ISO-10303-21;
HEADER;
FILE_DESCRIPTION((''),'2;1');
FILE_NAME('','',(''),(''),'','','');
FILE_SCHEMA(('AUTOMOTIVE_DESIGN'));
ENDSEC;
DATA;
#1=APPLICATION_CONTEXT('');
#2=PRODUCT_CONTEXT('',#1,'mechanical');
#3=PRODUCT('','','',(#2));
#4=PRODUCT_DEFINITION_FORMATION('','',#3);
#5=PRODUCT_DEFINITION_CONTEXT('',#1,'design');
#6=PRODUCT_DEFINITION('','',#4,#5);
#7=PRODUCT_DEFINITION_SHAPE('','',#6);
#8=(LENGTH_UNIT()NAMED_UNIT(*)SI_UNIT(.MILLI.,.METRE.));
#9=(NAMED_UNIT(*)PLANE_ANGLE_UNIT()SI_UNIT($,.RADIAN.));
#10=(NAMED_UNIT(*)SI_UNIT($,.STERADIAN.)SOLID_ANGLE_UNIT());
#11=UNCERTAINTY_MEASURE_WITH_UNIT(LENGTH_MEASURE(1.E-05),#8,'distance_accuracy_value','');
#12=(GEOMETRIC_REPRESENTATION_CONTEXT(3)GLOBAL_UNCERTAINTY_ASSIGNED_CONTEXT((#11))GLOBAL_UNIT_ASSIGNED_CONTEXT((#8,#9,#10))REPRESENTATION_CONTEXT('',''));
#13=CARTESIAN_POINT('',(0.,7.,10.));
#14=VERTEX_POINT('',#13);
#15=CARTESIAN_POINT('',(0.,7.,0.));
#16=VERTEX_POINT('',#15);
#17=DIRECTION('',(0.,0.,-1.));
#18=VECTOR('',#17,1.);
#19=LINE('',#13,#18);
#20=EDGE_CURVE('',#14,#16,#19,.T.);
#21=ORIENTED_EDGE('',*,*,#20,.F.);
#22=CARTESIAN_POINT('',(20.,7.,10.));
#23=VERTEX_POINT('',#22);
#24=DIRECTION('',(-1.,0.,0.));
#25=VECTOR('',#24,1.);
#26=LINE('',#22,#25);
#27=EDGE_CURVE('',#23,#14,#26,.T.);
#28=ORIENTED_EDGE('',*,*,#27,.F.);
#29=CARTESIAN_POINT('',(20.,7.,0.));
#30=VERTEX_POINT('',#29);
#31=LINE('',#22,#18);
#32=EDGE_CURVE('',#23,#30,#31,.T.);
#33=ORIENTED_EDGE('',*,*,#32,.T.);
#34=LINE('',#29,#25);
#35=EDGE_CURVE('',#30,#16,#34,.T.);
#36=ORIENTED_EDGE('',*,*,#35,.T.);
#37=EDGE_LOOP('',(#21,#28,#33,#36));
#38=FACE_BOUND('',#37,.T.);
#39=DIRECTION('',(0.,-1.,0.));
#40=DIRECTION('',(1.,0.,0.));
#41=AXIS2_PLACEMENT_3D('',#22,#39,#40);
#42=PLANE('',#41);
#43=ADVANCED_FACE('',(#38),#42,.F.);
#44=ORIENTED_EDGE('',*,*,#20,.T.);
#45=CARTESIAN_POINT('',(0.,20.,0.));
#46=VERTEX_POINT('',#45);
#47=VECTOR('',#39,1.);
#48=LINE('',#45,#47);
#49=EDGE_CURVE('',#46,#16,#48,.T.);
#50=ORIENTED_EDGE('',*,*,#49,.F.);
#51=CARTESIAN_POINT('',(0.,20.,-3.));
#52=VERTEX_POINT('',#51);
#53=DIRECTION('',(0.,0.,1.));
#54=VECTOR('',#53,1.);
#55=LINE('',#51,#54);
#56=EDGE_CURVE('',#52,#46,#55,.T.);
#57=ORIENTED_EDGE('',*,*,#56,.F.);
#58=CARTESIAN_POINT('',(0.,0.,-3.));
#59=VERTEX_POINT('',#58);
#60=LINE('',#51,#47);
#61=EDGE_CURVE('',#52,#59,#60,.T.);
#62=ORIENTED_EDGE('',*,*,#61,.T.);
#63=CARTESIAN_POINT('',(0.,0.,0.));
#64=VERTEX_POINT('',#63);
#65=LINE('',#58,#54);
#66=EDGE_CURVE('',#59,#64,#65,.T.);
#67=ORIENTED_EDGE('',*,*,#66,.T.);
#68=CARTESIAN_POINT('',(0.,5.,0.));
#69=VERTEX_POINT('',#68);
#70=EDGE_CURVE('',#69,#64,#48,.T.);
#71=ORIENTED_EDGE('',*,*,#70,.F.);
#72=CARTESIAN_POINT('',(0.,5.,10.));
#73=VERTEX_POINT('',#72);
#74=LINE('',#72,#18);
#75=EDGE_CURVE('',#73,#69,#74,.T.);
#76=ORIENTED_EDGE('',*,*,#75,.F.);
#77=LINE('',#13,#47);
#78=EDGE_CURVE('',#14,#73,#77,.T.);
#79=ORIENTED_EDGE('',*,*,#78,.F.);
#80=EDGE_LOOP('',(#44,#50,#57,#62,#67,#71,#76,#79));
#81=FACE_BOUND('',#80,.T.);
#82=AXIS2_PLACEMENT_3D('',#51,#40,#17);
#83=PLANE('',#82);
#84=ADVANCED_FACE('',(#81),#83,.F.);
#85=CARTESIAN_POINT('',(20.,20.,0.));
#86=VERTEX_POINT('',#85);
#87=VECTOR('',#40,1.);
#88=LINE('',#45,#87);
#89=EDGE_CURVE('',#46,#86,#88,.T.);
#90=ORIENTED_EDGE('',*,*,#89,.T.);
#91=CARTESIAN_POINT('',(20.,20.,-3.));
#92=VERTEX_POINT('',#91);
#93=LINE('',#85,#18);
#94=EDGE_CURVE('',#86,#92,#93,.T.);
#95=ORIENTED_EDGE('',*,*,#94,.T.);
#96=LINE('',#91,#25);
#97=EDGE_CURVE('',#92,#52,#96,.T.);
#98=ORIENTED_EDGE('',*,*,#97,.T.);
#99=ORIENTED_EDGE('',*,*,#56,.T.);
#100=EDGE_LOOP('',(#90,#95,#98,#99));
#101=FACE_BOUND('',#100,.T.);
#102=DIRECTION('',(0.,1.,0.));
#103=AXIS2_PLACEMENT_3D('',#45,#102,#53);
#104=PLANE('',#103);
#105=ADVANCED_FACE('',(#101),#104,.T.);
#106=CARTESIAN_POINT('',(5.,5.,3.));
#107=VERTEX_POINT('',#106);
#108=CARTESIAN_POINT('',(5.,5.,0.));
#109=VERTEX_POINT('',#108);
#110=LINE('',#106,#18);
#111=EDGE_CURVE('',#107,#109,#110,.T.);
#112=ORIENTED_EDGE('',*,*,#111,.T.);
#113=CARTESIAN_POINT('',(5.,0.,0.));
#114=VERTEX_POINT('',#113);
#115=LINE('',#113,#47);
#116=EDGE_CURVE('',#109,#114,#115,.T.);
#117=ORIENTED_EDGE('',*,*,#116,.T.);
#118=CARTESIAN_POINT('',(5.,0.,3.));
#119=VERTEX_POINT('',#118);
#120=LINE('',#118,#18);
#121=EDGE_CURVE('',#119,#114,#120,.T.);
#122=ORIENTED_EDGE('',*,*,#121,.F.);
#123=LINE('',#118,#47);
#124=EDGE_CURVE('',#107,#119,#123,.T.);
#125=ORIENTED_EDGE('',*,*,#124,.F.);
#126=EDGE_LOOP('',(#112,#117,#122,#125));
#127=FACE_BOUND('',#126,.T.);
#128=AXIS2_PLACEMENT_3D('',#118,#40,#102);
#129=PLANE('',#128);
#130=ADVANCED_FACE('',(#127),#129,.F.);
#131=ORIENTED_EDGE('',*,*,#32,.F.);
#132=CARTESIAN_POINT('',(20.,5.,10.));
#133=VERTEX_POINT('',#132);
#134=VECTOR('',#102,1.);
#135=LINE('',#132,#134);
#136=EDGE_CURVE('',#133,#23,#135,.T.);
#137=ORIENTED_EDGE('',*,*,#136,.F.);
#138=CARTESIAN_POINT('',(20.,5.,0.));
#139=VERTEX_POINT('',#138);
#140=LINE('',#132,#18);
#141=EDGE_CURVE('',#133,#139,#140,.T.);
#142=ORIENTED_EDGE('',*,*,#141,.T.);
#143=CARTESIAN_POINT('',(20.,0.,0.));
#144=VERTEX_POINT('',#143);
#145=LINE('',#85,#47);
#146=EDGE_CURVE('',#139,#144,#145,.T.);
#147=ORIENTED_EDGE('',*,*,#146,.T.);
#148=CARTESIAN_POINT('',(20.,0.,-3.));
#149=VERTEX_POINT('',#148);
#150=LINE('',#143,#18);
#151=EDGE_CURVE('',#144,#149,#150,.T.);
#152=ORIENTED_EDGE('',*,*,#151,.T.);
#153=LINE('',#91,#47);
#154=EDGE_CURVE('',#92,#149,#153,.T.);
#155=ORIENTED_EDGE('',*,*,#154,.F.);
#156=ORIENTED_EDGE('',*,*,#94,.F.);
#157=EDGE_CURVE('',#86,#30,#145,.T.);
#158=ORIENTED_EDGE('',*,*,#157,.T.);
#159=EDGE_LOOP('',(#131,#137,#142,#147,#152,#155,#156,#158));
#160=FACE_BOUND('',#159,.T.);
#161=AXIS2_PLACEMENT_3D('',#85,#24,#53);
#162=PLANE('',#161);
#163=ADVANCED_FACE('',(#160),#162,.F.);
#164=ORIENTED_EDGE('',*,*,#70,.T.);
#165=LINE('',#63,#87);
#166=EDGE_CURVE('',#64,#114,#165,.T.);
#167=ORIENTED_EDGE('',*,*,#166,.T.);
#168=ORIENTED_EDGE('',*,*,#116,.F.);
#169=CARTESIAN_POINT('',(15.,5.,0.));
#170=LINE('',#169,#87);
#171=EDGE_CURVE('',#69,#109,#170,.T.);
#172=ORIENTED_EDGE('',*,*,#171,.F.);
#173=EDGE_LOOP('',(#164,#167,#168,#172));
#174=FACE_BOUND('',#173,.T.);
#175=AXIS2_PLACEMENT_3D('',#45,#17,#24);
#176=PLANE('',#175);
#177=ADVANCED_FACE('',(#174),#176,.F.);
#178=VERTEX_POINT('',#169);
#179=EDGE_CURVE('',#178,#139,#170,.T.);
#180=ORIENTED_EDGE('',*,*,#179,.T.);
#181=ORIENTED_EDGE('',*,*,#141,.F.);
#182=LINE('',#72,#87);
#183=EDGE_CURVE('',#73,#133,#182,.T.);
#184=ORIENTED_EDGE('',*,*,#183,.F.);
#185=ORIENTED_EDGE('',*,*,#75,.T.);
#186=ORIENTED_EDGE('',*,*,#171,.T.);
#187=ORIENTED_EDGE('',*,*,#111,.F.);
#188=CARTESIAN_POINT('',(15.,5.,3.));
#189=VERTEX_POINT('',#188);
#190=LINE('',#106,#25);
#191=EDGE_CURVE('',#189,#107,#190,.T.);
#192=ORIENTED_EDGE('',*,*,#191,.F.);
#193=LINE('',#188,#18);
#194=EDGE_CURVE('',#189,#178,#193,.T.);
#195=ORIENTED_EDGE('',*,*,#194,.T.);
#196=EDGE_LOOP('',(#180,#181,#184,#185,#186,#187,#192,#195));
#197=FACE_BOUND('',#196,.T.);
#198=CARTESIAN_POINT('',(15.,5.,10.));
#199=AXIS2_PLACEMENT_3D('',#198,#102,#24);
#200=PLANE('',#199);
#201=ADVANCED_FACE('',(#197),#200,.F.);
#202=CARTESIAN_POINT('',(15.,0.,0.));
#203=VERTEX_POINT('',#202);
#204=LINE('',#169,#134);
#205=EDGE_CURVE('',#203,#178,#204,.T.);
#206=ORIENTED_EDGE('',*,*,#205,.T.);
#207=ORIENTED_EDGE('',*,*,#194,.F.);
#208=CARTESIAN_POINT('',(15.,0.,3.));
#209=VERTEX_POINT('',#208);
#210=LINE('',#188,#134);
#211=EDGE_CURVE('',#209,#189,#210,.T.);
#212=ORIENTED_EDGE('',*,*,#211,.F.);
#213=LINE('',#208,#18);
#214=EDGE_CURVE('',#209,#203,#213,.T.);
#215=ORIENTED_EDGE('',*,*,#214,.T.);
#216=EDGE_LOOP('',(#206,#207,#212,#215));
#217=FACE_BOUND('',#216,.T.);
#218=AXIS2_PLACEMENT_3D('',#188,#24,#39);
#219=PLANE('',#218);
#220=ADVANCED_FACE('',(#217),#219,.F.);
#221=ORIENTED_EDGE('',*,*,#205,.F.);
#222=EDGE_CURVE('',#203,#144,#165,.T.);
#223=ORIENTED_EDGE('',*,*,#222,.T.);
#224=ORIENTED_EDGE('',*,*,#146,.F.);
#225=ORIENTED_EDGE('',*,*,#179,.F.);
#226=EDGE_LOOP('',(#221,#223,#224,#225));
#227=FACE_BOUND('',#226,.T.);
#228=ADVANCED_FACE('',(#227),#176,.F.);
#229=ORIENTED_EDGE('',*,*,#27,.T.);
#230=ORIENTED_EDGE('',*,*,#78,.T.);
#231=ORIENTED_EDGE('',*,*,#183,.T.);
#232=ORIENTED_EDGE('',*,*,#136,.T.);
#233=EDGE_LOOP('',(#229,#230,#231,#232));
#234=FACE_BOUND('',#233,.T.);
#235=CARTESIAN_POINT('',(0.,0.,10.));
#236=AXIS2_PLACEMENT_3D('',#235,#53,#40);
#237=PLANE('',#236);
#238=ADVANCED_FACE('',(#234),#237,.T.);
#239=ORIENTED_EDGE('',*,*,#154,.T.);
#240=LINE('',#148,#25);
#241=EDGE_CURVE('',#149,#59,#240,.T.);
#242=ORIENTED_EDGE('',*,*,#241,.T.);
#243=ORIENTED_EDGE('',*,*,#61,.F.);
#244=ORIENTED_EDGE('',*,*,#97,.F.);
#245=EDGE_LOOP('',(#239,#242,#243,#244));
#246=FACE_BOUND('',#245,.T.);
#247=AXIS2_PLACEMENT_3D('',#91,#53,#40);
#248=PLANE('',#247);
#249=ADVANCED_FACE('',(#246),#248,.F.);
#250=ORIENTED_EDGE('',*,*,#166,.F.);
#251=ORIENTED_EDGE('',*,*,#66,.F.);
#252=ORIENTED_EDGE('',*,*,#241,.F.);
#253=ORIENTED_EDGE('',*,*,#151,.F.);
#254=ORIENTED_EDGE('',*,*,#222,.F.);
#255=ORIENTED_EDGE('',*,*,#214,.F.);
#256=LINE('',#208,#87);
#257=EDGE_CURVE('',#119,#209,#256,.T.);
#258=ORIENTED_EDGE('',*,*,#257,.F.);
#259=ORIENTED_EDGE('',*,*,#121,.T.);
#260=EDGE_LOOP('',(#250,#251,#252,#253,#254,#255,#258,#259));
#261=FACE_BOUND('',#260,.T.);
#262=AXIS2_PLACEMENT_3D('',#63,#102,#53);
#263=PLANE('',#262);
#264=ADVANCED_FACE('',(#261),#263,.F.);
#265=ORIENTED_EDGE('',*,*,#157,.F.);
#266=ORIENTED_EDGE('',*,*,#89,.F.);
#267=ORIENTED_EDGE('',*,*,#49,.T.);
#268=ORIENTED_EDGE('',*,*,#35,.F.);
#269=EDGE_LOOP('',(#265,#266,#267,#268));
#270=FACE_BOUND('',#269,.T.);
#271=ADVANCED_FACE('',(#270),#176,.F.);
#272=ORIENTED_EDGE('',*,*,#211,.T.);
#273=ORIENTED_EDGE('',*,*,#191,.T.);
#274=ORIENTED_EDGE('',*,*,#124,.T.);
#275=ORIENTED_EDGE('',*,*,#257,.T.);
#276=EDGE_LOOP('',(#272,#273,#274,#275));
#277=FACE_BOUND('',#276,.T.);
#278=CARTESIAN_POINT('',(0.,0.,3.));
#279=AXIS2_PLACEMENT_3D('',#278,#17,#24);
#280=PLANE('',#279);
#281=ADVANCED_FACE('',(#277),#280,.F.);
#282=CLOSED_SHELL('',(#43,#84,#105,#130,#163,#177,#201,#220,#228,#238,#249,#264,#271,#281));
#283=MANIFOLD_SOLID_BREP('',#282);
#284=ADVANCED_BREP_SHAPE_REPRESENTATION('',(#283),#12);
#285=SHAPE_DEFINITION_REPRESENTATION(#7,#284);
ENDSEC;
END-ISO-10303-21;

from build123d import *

# Parameters (mm, degrees)
CROQUIS1_W               = 20
CROQUIS1_H               = 3
SALIENTE_EXTRUIR7_DEPTH  = 20
CROQUIS7_W               = 10
CROQUIS7_H               = 5
SALIENTE_EXTRUIR8_DEPTH  = 3
SALIENTE_EXTRUIR10_DEPTH = 10


with BuildPart() as part:
    # Croquis1 → Saliente-Extruir7 (new body)
    with BuildSketch(Plane(origin=(0, 0, 0), x_dir=(1, 0, 0), z_dir=(0, 1, 0))):
        with Locations((10, 1.5)):
            Rectangle(CROQUIS1_W, CROQUIS1_H)
    extrude(amount=SALIENTE_EXTRUIR7_DEPTH)

    # Croquis7 → Saliente-Extruir8 (add)
    with BuildSketch(Plane.XY):
        with Locations((10, 2.5)):
            Rectangle(CROQUIS7_W, CROQUIS7_H)
    extrude(amount=SALIENTE_EXTRUIR8_DEPTH)

    # Croquis8 → Saliente-Extruir10 (add)
    with BuildSketch(Plane.XY):
        Polygon((15, 5), (20, 5), (20, 7), (0, 7), (0, 5), align=None)
    extrude(amount=SALIENTE_EXTRUIR10_DEPTH)


solid = part.part
